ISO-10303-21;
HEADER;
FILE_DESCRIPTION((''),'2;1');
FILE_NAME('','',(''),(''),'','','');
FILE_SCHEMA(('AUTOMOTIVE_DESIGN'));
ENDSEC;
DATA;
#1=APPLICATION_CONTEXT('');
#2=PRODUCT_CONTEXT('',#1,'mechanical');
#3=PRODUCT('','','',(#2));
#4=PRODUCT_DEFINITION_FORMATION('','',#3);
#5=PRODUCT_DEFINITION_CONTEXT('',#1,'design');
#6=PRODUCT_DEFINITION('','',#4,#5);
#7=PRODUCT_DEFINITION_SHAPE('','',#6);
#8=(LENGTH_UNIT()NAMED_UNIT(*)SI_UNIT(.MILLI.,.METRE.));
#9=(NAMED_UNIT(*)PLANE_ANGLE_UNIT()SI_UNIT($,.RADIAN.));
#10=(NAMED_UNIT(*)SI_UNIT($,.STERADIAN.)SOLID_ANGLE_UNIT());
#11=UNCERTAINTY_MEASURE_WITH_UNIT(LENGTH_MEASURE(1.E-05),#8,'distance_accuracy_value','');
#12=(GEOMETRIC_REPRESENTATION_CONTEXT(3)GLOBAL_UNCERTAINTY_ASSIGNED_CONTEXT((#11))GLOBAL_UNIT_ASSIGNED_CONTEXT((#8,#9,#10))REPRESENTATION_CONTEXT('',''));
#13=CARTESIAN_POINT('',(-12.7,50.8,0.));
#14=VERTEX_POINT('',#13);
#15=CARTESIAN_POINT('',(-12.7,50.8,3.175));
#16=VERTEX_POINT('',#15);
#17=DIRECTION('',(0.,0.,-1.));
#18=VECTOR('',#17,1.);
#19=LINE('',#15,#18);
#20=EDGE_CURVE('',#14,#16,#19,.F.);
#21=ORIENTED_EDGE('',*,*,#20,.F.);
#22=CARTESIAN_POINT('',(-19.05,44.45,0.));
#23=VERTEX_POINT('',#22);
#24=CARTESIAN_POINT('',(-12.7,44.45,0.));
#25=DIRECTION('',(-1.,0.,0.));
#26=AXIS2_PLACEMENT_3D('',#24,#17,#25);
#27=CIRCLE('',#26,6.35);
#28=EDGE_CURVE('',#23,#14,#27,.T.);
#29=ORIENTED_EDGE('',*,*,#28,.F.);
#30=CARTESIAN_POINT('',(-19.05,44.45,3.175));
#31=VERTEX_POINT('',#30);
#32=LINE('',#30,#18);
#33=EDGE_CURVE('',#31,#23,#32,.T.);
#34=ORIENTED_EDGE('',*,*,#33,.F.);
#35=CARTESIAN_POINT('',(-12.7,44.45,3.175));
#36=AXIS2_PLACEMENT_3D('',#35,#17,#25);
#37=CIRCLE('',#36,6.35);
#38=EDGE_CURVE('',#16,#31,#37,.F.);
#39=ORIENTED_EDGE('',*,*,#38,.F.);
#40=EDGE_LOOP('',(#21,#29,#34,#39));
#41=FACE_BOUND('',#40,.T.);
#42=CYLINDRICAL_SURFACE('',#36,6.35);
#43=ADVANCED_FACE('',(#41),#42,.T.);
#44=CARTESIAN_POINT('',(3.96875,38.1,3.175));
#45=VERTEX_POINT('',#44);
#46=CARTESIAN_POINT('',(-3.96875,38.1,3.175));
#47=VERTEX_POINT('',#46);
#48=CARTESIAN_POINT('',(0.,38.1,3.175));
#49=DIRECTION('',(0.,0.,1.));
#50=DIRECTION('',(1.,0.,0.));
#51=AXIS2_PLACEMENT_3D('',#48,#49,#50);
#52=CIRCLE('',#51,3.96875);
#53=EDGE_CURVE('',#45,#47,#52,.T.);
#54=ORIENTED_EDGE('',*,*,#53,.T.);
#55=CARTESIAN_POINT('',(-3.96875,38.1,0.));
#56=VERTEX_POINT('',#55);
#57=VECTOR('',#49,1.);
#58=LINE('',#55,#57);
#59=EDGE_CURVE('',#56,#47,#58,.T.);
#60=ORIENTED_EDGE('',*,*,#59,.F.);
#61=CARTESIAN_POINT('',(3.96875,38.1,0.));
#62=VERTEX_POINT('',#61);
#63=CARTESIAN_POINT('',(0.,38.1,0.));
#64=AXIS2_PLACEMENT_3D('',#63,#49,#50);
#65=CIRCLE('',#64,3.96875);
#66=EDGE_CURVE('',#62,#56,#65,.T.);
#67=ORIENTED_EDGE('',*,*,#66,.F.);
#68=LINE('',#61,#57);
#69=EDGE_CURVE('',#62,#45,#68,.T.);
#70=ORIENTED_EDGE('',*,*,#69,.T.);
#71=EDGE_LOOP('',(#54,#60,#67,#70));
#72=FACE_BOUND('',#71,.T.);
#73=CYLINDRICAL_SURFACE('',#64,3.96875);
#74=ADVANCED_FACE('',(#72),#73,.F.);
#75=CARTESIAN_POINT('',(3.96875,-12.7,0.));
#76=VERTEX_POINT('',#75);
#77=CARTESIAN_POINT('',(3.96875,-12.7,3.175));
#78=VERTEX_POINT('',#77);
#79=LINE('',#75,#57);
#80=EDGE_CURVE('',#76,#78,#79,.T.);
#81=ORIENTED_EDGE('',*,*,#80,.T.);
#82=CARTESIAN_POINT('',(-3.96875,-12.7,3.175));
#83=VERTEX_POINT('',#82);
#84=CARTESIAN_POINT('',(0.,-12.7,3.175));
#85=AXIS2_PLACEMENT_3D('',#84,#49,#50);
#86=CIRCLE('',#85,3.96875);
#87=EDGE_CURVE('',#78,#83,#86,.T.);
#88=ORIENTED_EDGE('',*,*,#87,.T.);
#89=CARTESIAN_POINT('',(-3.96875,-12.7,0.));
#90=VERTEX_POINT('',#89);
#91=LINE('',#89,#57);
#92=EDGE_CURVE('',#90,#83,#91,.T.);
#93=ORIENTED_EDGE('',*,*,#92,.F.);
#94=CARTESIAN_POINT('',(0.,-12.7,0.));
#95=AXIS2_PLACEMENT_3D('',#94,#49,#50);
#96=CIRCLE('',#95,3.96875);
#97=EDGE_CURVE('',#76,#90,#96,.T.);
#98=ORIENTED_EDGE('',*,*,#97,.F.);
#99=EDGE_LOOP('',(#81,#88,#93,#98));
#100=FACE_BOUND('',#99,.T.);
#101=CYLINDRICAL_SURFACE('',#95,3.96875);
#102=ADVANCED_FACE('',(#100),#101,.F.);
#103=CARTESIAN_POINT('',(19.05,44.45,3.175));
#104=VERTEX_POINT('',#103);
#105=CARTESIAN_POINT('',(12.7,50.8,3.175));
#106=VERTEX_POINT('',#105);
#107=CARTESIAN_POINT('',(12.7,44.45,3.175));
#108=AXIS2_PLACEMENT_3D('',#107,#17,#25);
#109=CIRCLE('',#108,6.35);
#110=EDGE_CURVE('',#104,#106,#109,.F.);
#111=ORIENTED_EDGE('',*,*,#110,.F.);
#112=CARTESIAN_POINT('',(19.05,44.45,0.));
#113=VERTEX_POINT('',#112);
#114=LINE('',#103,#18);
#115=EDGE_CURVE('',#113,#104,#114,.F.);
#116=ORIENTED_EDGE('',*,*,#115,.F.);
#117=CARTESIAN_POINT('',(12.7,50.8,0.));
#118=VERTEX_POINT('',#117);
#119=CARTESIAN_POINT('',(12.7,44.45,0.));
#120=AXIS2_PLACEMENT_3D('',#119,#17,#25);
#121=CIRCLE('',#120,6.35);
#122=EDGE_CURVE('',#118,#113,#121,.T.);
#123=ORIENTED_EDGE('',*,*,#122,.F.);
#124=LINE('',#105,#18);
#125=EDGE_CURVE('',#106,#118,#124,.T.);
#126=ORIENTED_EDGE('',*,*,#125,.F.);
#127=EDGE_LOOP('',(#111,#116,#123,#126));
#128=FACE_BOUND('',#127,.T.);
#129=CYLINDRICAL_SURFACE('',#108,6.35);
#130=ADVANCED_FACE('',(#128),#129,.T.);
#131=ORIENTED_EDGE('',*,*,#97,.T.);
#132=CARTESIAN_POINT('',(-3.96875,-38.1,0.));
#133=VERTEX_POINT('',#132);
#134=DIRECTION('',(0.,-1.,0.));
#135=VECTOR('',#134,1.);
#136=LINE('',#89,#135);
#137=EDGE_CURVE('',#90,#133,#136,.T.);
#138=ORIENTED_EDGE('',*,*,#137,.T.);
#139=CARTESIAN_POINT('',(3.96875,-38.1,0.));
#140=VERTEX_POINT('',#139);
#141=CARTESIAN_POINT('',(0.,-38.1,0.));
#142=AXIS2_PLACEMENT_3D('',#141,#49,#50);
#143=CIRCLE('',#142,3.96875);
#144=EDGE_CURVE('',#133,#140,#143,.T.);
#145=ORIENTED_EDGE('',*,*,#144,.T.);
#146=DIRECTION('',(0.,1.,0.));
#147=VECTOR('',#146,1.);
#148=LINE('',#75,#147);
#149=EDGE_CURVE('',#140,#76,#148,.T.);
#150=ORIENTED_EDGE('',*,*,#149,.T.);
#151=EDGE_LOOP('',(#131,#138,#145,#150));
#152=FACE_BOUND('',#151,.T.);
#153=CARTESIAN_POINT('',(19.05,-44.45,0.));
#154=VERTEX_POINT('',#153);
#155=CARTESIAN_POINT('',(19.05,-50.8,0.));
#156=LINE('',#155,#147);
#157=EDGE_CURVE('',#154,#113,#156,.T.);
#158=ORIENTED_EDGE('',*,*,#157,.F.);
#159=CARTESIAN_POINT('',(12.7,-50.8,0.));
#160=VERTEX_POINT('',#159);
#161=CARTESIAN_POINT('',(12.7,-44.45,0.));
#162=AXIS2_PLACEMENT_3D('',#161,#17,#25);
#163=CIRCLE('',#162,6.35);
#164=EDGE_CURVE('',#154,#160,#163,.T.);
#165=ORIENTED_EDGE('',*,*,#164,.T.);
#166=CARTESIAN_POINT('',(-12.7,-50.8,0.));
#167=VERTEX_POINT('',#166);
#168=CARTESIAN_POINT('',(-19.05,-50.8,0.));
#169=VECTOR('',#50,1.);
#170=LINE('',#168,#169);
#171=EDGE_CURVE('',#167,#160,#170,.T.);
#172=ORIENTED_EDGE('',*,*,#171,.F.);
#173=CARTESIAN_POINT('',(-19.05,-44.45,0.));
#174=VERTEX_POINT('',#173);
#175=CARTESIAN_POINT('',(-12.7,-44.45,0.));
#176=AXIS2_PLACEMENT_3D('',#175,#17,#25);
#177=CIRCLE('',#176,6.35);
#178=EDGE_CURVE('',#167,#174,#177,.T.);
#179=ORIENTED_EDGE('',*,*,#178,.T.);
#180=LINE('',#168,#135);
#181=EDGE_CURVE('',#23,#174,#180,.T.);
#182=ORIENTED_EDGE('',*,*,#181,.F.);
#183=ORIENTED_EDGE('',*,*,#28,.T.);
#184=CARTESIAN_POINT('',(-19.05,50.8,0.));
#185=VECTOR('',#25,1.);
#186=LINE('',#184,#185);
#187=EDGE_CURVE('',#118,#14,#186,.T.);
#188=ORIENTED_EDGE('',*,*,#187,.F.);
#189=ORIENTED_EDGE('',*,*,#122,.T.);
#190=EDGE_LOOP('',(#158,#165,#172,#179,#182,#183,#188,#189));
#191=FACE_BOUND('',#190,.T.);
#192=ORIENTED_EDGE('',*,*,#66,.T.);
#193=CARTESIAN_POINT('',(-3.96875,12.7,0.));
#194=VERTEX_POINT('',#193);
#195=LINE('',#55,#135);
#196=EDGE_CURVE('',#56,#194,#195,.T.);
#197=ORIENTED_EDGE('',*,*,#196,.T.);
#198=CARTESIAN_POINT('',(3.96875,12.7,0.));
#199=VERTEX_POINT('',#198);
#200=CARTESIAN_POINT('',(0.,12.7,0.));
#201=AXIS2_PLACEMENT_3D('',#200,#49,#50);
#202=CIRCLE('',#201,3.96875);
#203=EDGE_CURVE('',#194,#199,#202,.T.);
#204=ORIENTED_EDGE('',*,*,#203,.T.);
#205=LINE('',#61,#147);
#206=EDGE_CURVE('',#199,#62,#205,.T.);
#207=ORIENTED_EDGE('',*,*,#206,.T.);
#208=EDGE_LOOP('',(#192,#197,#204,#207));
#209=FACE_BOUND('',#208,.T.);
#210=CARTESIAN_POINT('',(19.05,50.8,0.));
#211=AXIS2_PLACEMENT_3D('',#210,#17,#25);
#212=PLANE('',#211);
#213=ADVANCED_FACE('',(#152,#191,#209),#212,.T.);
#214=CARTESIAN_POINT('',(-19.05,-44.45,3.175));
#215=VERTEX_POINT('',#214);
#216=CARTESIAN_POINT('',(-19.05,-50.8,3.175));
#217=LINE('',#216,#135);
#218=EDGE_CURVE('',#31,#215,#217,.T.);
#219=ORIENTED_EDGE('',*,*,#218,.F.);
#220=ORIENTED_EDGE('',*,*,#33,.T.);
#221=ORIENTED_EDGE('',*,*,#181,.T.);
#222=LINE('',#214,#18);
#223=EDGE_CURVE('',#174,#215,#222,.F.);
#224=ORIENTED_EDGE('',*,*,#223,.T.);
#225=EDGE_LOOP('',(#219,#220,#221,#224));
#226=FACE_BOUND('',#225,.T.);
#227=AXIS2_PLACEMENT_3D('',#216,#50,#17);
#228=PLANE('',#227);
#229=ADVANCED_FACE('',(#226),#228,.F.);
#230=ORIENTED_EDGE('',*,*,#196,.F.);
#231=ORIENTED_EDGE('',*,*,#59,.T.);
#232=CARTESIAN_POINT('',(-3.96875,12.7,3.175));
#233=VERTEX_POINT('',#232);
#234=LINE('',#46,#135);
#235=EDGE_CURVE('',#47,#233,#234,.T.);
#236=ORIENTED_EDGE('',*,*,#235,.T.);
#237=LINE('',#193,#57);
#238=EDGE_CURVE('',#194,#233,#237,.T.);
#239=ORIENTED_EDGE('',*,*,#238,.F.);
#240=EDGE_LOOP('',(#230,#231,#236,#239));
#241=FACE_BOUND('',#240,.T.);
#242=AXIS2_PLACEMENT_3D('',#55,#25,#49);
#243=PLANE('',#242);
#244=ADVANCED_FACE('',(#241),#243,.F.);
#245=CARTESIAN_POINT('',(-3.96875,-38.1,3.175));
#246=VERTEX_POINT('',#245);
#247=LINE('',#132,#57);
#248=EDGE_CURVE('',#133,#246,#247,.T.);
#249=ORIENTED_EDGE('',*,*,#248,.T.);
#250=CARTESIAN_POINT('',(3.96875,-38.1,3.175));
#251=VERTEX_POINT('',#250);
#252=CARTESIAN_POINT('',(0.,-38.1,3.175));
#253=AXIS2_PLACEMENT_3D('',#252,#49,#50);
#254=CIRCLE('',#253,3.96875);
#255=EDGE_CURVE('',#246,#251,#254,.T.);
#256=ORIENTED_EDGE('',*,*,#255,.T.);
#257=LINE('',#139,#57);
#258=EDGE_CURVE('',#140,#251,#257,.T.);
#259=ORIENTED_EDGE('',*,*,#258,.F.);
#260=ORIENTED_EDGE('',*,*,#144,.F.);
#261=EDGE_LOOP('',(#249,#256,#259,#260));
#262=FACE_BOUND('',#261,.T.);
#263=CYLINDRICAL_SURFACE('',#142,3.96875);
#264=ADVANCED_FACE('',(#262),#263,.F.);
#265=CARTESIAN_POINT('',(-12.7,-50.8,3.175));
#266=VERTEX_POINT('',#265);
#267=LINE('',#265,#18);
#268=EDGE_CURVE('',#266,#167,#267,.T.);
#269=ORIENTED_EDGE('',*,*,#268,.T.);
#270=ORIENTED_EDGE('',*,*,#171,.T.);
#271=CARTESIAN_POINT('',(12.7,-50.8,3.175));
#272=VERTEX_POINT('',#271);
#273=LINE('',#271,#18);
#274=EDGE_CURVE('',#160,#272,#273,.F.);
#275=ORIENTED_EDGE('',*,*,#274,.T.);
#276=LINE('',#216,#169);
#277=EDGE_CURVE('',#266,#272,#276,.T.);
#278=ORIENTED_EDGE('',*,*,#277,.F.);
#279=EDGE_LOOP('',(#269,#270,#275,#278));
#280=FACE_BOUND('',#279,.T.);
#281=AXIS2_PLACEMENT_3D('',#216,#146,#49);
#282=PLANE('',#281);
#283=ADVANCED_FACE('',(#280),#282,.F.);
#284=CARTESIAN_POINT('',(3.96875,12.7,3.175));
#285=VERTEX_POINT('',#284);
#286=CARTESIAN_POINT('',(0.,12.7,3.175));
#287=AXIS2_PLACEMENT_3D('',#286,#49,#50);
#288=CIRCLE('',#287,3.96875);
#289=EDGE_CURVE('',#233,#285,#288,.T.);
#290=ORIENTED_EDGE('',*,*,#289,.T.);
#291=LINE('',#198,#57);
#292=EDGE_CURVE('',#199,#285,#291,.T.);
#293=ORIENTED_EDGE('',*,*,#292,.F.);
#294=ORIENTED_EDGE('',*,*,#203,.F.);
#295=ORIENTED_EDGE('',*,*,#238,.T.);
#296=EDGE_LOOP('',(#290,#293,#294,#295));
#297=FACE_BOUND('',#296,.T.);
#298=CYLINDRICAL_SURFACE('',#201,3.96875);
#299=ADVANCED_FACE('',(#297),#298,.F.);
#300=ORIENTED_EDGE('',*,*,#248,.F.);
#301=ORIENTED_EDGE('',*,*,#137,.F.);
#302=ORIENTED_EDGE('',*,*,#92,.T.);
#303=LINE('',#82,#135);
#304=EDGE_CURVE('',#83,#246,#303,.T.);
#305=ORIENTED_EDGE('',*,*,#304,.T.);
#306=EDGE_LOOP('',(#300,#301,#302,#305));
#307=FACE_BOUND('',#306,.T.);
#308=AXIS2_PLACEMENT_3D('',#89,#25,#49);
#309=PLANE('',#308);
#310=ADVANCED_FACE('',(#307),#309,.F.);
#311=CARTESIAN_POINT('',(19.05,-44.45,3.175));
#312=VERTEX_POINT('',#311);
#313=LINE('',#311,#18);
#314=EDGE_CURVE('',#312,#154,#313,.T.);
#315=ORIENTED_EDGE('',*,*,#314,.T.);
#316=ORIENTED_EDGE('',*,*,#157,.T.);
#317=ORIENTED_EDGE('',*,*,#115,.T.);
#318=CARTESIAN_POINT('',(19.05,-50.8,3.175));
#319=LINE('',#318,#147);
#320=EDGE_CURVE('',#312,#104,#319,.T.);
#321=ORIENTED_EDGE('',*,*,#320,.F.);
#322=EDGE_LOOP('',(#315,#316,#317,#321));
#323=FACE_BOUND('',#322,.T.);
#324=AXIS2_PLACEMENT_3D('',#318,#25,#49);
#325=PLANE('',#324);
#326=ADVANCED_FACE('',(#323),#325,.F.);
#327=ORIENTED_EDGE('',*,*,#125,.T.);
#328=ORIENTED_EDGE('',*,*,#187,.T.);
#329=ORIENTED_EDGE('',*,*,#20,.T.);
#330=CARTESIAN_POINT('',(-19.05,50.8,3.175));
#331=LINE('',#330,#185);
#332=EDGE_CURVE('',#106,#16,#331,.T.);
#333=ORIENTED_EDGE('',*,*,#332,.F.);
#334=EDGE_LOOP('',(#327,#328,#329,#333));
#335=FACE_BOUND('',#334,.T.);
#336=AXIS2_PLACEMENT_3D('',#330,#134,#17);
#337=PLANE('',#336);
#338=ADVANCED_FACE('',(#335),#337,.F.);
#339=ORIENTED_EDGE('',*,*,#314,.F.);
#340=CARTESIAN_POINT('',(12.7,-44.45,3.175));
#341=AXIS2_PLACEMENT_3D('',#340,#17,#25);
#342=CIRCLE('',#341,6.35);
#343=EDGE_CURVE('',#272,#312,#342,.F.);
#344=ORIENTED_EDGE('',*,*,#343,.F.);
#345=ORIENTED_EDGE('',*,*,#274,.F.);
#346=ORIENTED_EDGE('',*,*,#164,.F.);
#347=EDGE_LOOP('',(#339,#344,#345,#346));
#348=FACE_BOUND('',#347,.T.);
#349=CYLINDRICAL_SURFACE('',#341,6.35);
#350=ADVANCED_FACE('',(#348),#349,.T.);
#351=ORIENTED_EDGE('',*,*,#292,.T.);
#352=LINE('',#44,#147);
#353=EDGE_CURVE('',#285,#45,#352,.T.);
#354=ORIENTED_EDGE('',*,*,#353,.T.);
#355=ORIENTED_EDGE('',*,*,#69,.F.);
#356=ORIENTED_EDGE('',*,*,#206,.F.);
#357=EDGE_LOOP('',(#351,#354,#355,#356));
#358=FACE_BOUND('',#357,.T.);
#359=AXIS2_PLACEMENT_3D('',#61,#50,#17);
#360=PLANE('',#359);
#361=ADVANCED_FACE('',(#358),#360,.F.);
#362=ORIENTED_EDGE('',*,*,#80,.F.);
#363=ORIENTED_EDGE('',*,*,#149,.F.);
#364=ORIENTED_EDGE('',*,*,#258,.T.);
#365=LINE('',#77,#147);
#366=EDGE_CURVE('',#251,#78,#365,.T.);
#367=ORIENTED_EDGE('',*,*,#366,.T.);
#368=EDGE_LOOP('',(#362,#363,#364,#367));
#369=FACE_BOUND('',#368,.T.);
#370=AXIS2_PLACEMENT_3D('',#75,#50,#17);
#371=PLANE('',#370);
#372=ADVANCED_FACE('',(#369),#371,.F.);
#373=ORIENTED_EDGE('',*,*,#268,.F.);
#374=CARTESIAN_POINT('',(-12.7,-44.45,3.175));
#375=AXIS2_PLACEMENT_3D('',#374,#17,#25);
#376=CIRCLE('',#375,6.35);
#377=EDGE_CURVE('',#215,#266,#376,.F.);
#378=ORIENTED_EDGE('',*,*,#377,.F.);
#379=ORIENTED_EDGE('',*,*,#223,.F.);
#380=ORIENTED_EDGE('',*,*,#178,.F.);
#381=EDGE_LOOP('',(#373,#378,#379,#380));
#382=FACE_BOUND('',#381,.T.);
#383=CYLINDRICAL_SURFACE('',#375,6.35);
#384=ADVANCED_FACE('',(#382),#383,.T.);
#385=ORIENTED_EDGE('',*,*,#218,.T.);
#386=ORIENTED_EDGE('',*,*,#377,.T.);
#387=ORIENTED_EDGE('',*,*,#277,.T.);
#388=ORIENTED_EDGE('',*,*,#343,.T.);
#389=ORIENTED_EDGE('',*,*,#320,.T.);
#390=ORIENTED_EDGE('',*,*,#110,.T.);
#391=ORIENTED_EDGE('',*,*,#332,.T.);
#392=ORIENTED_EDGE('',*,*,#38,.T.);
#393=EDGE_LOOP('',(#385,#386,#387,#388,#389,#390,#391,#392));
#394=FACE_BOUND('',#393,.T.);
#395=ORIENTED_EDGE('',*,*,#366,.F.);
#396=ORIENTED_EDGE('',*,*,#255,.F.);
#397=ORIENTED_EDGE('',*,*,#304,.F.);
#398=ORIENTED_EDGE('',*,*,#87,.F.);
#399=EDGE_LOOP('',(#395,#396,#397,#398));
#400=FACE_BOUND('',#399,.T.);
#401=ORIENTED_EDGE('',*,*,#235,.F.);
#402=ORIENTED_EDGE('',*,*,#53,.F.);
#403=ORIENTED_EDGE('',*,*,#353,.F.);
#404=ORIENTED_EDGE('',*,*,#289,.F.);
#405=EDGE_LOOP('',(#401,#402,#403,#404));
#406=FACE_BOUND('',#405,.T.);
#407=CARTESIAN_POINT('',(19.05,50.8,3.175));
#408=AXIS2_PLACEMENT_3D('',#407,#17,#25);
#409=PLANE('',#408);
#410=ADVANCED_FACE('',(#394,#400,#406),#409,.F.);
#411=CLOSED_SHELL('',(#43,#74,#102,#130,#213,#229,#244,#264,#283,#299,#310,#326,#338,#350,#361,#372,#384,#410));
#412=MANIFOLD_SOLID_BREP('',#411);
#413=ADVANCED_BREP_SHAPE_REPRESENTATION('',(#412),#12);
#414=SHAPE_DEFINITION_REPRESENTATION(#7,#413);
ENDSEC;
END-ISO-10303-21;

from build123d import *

# Parameters (mm, degrees)
SKETCH1_W           = 38.1
SKETCH1_H           = 101.6
BOSS_EXTRUDE1_DEPTH = 3.175
FILLET1_R           = 6.35
CUT_EXTRUDE1_DEPTH  = 55.34724579


with BuildPart() as part:
    # Sketch1 → Boss-Extrude1 (new body)
    with BuildSketch(Plane.XY):
        Rectangle(SKETCH1_W, SKETCH1_H)
    extrude(amount=BOSS_EXTRUDE1_DEPTH)

    # Fillet1
    fillet1_edges = [part.edges().sort_by_distance(p)[0] for p in [
        (19.05, -50.8, 1.5875),
        (-19.05, -50.8, 1.5875),
        (-19.05, 50.8, 1.5875),
        (19.05, 50.8, 1.5875),
    ]]
    fillet(fillet1_edges, radius=FILLET1_R)

    # Sketch2 → Cut-Extrude1 (cut, through all)
    with BuildSketch(Plane.XY.offset(3.175)):
        with BuildLine():
            Line((3.96875, 38.1), (3.96875, 12.7))
            ThreePointArc((3.96875, 12.7), (0, 8.73125), (-3.96875, 12.7))
            Line((-3.96875, 12.7), (-3.96875, 38.1))
            ThreePointArc((-3.96875, 38.1), (0, 42.06875), (3.96875, 38.1))
        make_face()
        with BuildLine():
            Line((3.96875, -12.7), (3.96875, -38.1))
            ThreePointArc((3.96875, -38.1), (0, -42.06875), (-3.96875, -38.1))
            Line((-3.96875, -38.1), (-3.96875, -12.7))
            ThreePointArc((-3.96875, -12.7), (0, -8.73125), (3.96875, -12.7))
        make_face()
    extrude(amount=-CUT_EXTRUDE1_DEPTH, mode=Mode.SUBTRACT)


solid = part.part
